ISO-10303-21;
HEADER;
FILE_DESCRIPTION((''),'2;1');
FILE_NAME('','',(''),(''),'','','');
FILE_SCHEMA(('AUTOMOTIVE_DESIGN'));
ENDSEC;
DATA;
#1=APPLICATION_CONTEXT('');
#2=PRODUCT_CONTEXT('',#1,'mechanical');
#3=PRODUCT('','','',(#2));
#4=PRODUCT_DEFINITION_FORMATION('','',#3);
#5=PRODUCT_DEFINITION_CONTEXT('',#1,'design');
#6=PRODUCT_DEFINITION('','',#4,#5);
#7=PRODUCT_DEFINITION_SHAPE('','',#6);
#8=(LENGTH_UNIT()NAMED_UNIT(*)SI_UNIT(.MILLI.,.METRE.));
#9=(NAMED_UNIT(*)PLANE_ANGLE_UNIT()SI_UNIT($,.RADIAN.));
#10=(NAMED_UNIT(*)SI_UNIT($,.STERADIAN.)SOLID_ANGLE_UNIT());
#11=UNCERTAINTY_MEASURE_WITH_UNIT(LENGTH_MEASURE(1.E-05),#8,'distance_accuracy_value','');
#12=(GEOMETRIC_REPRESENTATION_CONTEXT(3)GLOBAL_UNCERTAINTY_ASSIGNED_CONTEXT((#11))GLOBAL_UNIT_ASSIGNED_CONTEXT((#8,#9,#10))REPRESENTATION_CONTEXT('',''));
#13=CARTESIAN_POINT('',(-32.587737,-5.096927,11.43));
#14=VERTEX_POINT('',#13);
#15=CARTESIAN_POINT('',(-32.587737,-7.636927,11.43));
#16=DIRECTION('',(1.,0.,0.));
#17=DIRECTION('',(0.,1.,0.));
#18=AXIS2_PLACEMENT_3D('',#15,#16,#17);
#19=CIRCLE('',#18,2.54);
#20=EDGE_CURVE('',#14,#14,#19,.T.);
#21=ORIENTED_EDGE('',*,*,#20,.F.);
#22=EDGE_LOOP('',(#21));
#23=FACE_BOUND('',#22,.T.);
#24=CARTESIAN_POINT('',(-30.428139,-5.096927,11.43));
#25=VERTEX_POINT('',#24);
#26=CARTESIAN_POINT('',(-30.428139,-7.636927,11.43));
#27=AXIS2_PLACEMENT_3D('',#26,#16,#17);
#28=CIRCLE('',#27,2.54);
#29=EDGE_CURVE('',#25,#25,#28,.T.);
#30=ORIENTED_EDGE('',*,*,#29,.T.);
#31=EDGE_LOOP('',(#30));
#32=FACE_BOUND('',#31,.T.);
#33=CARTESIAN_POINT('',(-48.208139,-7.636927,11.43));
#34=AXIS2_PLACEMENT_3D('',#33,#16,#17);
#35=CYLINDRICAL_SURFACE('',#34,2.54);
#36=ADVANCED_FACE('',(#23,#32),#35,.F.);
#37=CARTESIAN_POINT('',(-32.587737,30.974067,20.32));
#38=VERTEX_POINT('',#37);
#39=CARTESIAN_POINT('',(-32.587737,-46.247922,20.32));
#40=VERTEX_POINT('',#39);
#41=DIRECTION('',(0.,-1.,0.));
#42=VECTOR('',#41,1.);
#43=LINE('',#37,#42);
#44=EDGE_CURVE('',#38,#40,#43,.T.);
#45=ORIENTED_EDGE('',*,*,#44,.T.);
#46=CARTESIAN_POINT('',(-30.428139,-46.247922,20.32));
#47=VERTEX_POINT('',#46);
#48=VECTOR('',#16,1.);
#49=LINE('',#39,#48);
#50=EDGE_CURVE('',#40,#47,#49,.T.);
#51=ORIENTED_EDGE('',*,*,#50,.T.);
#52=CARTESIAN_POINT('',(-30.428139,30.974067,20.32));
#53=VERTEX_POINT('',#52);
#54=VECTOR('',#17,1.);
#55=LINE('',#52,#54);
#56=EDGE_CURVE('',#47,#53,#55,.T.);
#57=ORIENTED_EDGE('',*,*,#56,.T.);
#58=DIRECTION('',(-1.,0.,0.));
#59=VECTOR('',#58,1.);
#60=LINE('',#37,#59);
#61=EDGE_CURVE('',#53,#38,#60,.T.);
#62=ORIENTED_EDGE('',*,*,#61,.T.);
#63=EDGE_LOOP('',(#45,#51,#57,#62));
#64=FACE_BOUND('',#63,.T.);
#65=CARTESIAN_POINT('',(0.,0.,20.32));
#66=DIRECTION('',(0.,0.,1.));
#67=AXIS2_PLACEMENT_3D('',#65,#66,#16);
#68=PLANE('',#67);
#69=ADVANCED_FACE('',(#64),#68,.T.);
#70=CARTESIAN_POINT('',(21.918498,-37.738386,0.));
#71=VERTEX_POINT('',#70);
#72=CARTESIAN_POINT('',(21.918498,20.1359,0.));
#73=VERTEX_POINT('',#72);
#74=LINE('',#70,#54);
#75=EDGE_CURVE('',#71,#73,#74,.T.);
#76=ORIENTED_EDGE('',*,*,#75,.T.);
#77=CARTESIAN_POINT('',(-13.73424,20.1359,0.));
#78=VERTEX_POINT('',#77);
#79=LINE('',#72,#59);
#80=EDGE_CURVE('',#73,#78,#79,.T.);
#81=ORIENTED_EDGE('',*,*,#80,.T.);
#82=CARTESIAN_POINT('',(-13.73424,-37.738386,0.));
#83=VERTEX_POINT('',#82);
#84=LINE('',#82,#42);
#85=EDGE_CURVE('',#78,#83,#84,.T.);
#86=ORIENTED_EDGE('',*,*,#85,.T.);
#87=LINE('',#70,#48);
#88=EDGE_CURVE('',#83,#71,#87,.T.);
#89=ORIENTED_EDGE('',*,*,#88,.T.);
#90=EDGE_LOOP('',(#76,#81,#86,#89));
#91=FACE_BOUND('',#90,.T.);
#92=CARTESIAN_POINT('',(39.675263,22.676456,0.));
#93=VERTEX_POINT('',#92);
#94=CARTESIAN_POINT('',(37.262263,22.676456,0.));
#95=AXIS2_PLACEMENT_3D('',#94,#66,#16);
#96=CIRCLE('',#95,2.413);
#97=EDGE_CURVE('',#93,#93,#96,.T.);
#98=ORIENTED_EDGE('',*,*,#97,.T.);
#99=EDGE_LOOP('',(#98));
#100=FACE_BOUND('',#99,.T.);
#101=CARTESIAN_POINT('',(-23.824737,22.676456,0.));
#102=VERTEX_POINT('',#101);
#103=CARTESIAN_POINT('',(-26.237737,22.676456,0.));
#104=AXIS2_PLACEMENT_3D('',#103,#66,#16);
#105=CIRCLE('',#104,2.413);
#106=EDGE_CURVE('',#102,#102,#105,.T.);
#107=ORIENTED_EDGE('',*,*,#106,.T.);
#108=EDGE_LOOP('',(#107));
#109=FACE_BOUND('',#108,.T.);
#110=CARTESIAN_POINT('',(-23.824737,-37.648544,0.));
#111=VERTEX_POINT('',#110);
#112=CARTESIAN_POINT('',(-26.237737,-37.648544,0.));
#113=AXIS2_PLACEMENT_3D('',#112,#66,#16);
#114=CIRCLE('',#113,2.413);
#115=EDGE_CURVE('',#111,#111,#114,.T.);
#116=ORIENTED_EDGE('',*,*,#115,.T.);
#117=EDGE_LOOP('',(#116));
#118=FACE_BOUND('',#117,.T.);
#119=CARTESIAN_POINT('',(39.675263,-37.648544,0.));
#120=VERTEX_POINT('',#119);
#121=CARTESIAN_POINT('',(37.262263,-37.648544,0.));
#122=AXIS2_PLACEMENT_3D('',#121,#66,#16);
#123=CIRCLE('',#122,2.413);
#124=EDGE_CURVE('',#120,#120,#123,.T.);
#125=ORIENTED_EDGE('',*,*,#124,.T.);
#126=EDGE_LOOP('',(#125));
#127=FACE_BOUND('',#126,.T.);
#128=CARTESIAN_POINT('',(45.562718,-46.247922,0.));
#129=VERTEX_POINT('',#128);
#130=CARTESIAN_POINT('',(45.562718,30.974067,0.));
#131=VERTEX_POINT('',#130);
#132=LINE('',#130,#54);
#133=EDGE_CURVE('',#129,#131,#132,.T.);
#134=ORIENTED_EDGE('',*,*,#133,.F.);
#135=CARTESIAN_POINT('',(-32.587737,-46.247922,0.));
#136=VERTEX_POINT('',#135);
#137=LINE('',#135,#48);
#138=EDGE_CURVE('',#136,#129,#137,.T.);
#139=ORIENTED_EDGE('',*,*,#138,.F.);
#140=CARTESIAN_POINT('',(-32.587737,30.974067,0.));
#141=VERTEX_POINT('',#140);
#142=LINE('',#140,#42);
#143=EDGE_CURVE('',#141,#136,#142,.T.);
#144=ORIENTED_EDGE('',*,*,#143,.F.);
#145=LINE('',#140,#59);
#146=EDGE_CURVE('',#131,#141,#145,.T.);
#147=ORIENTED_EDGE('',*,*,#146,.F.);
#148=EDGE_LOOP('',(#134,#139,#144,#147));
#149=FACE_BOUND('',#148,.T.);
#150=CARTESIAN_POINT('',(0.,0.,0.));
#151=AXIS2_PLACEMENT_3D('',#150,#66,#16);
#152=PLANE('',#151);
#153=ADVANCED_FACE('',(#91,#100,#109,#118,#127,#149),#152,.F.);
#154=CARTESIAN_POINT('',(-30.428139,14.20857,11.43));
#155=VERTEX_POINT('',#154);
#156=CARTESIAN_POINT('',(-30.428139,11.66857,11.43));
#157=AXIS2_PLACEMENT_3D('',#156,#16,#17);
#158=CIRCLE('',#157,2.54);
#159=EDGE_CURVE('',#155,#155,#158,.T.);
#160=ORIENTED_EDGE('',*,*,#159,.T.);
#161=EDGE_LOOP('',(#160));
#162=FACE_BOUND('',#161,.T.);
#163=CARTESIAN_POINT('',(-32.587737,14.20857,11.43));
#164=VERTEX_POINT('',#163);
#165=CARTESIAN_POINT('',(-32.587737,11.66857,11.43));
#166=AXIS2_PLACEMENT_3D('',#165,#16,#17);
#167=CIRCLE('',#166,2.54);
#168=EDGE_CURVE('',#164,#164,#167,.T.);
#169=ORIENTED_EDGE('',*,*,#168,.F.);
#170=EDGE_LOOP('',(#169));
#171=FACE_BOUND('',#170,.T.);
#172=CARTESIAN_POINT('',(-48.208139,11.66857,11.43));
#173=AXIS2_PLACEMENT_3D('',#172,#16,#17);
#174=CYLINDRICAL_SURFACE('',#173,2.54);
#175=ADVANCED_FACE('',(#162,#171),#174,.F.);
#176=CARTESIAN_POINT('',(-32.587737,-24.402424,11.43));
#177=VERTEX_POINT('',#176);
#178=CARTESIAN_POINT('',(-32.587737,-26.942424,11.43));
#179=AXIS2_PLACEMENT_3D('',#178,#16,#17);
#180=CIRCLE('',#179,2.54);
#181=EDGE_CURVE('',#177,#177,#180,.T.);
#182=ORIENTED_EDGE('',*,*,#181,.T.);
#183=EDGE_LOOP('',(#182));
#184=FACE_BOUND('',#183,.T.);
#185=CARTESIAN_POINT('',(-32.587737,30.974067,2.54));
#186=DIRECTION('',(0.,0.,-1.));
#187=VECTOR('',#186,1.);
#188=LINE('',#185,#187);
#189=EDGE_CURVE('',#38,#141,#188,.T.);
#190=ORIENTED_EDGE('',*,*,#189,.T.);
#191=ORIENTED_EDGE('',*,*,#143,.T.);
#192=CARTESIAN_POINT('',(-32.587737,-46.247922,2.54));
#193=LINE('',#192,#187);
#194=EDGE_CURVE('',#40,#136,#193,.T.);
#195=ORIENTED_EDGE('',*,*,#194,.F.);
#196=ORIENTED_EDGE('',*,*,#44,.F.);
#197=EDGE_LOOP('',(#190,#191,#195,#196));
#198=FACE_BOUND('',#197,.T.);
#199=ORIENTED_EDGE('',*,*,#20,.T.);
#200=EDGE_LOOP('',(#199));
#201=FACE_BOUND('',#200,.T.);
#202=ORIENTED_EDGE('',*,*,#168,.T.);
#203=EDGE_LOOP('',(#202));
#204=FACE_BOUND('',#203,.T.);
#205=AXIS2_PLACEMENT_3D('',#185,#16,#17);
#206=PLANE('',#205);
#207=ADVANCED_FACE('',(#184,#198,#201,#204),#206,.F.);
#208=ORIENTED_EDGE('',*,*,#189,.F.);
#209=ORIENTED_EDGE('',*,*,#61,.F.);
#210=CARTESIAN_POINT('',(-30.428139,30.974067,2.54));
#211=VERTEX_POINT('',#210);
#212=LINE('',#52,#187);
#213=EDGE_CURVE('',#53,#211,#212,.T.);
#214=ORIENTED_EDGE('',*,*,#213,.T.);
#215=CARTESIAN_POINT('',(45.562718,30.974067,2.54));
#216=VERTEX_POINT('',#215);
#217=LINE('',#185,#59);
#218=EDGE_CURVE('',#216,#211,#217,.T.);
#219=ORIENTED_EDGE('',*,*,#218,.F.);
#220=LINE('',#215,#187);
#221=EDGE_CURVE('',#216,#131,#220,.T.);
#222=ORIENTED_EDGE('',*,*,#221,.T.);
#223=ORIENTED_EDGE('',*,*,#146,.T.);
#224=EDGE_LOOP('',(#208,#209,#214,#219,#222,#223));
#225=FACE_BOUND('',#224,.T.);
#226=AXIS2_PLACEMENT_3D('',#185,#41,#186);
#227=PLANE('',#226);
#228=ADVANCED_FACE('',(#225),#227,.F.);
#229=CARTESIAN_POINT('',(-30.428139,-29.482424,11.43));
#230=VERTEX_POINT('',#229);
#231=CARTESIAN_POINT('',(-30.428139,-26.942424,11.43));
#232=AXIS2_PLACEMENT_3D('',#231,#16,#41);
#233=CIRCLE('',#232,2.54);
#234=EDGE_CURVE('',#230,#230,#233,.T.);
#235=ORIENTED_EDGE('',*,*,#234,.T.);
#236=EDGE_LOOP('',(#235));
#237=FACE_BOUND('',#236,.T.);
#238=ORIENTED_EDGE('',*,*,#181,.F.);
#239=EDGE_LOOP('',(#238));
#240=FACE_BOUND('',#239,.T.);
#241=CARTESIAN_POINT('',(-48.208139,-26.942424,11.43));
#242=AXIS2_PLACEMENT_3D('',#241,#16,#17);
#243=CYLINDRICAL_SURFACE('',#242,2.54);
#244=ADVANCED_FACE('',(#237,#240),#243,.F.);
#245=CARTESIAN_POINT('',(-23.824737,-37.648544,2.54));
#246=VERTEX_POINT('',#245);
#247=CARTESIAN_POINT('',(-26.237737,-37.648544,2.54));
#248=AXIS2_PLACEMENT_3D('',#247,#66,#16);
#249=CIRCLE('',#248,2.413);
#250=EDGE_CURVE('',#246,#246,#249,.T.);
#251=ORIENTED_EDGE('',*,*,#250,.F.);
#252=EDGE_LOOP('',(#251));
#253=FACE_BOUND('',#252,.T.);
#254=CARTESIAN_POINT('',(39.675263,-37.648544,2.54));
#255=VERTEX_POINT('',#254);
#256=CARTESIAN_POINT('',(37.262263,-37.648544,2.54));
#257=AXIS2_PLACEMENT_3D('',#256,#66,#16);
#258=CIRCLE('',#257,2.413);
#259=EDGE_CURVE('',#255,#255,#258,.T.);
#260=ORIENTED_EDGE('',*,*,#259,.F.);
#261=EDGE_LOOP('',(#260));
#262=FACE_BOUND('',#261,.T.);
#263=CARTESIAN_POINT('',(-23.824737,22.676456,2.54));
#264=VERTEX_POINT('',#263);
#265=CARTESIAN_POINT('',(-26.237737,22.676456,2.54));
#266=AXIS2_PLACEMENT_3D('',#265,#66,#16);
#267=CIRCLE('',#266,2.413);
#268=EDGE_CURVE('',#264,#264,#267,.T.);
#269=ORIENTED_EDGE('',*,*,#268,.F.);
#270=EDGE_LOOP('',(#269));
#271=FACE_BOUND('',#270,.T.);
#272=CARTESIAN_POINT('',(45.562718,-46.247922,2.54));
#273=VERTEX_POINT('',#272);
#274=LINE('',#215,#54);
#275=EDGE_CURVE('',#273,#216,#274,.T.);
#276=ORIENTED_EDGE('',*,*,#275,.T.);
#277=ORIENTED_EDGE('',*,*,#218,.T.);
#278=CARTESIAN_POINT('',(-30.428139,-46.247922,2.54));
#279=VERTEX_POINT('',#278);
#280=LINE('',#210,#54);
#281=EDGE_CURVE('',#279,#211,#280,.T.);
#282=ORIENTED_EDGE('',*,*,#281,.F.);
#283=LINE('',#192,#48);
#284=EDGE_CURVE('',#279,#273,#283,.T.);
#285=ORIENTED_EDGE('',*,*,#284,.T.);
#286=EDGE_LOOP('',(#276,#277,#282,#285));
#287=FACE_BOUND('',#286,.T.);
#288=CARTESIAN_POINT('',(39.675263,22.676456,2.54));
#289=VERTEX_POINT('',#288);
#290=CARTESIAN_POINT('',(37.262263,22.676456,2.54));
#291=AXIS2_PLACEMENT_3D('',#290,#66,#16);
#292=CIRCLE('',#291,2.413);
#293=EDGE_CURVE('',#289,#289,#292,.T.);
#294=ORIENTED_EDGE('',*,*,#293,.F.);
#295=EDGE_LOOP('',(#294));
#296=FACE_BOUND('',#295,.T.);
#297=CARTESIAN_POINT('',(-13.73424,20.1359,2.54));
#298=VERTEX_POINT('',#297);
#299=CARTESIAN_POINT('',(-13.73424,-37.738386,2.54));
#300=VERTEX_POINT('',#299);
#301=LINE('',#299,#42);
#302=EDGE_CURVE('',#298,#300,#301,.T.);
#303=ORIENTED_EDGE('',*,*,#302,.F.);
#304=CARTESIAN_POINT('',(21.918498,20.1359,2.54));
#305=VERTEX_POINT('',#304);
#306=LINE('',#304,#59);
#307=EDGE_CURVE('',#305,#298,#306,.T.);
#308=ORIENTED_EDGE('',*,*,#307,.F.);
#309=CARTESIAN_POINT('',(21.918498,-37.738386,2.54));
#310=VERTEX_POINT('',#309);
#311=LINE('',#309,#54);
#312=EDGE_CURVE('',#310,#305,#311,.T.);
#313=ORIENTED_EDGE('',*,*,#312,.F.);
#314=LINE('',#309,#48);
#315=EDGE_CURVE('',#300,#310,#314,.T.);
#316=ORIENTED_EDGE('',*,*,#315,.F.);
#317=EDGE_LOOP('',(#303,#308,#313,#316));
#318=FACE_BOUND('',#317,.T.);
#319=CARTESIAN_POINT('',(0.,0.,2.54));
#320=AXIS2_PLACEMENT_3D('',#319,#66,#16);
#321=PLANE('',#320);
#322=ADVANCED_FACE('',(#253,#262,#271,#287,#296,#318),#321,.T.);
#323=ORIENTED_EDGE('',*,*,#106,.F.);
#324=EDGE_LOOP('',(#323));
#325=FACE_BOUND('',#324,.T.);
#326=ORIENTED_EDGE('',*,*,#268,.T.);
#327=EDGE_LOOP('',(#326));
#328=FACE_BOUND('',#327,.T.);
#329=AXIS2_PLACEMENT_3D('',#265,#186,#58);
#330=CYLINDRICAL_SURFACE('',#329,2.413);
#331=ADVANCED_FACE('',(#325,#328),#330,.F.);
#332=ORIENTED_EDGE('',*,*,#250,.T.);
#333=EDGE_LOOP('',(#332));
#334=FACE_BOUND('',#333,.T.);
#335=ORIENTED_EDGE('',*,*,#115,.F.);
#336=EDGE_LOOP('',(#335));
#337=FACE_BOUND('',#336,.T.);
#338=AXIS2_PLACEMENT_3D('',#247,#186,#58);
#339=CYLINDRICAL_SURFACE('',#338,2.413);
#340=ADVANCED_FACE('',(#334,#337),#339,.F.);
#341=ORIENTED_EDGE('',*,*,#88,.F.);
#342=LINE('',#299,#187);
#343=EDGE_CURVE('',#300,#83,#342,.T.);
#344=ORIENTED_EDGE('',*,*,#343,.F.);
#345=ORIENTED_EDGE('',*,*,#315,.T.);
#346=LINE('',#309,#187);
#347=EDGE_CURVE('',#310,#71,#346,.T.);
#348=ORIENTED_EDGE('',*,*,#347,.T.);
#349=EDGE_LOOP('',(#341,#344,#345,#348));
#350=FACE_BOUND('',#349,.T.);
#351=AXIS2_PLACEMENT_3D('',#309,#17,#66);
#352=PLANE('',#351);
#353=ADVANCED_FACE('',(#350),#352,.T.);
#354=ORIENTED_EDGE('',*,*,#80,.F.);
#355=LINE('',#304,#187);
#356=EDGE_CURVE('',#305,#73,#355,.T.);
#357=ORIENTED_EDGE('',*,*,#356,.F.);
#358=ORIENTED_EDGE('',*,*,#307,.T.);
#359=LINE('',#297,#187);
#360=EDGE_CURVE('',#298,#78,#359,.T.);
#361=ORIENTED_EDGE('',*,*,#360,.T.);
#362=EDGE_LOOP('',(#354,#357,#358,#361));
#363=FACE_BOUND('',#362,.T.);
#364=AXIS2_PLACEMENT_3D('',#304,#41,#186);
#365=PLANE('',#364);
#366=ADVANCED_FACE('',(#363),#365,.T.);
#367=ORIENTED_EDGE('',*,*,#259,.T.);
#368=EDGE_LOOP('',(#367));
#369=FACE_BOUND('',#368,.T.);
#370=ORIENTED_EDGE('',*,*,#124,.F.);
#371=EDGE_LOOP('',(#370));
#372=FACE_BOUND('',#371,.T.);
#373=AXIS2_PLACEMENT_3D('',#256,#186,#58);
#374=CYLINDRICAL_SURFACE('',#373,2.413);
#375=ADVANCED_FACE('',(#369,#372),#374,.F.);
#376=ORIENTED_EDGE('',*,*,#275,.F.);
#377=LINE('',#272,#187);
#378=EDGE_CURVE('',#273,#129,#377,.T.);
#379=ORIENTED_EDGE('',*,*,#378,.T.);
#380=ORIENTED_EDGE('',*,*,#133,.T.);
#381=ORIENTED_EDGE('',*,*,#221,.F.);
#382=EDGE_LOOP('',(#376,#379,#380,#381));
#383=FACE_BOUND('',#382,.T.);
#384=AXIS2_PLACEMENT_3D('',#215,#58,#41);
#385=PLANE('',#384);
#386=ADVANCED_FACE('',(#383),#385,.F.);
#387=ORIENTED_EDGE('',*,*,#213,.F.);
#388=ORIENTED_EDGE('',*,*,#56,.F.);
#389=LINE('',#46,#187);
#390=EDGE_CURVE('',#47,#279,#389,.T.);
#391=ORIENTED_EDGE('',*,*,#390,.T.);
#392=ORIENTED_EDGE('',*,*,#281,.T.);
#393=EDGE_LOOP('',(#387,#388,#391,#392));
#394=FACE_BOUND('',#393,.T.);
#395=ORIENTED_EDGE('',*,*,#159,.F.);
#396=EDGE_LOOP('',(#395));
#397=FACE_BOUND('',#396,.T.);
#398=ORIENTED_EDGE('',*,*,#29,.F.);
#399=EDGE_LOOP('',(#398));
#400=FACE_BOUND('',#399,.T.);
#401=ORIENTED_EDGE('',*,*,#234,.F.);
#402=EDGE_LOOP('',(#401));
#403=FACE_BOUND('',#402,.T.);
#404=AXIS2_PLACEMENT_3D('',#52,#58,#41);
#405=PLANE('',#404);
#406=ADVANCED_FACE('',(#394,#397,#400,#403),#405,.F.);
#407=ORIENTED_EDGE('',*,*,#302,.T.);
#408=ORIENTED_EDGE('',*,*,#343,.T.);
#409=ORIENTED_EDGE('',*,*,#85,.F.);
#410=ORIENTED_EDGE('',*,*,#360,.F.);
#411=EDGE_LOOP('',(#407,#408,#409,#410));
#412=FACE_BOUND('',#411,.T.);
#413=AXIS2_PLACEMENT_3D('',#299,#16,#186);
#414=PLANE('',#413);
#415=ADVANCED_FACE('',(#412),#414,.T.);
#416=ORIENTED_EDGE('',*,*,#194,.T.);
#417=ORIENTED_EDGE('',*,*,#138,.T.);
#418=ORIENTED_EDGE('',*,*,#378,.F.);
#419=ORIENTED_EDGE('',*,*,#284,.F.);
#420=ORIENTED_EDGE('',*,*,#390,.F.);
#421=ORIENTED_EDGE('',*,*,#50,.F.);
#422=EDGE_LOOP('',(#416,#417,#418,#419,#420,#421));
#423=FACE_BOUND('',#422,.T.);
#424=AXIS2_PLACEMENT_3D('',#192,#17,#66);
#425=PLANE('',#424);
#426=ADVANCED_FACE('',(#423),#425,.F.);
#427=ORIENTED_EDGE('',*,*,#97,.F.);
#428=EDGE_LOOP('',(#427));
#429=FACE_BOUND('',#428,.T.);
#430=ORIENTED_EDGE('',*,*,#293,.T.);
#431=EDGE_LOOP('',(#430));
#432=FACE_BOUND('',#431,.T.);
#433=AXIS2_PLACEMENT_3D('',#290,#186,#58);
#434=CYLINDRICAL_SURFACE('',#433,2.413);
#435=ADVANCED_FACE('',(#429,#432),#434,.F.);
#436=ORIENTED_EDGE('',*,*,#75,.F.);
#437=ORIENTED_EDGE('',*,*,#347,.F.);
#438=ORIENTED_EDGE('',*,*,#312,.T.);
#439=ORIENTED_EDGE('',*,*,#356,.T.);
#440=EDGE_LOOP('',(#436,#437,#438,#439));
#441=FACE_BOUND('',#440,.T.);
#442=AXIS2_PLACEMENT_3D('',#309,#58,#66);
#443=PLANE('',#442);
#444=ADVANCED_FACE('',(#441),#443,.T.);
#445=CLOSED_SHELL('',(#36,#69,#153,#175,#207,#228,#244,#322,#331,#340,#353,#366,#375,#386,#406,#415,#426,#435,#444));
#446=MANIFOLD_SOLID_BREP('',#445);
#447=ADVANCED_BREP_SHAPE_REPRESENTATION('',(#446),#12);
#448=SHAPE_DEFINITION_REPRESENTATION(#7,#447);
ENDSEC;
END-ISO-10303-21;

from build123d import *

# Parameters (mm, degrees)
SKETCH2_W           = 78.150454931
SKETCH2_H           = 77.221988429
SKETCH2_R           = 2.413
SKETCH2_W_2         = 35.652738644
SKETCH2_H_2         = 57.874285637
BOSS_EXTRUDE1_DEPTH = 2.54
SKETCH3_W           = 2.159598277
SKETCH3_H           = 77.221988429
BOSS_EXTRUDE2_DEPTH = 17.78
SKETCH5_R           = 2.54
CUT_EXTRUDE2_DEPTH  = 17.78


with BuildPart() as part:
    # Sketch2 → Boss-Extrude1 (new body)
    with BuildSketch(Plane.XY):
        with Locations((6.487490533, -7.63692736)):
            Rectangle(SKETCH2_W, SKETCH2_H)
        with Locations((-26.23773696, 22.67645588)):
            Circle(SKETCH2_R, mode=Mode.SUBTRACT)
        with Locations((37.26226304, 22.67645588)):
            Circle(SKETCH2_R, mode=Mode.SUBTRACT)
        with Locations((37.26226304, -37.64854412)):
            Circle(SKETCH2_R, mode=Mode.SUBTRACT)
        with Locations((-26.23773696, -37.64854412)):
            Circle(SKETCH2_R, mode=Mode.SUBTRACT)
        with Locations((4.092128919, -8.801242849)):
            Rectangle(SKETCH2_W_2, SKETCH2_H_2, mode=Mode.SUBTRACT)
    extrude(amount=BOSS_EXTRUDE1_DEPTH)

    # Sketch3 → Boss-Extrude2 (add)
    with BuildSketch(Plane.XY.offset(2.54)):
        with Locations((-31.507937795, -7.63692736)):
            Rectangle(SKETCH3_W, SKETCH3_H)
    extrude(amount=BOSS_EXTRUDE2_DEPTH)

    # Sketch5 → Cut-Extrude2 (cut)
    with BuildSketch(Plane(origin=(-30.428138656, 0, 0), x_dir=(0, 0, -1), z_dir=(1, 0, 0))):
        with Locations((-11.43, -7.636927359)):
            Circle(SKETCH5_R)
        with Locations((-11.43, 11.668569748)):
            Circle(SKETCH5_R)
        with Locations((-11.43, -26.942424466)):
            Circle(SKETCH5_R)
    extrude(amount=-CUT_EXTRUDE2_DEPTH, mode=Mode.SUBTRACT)


solid = part.part
